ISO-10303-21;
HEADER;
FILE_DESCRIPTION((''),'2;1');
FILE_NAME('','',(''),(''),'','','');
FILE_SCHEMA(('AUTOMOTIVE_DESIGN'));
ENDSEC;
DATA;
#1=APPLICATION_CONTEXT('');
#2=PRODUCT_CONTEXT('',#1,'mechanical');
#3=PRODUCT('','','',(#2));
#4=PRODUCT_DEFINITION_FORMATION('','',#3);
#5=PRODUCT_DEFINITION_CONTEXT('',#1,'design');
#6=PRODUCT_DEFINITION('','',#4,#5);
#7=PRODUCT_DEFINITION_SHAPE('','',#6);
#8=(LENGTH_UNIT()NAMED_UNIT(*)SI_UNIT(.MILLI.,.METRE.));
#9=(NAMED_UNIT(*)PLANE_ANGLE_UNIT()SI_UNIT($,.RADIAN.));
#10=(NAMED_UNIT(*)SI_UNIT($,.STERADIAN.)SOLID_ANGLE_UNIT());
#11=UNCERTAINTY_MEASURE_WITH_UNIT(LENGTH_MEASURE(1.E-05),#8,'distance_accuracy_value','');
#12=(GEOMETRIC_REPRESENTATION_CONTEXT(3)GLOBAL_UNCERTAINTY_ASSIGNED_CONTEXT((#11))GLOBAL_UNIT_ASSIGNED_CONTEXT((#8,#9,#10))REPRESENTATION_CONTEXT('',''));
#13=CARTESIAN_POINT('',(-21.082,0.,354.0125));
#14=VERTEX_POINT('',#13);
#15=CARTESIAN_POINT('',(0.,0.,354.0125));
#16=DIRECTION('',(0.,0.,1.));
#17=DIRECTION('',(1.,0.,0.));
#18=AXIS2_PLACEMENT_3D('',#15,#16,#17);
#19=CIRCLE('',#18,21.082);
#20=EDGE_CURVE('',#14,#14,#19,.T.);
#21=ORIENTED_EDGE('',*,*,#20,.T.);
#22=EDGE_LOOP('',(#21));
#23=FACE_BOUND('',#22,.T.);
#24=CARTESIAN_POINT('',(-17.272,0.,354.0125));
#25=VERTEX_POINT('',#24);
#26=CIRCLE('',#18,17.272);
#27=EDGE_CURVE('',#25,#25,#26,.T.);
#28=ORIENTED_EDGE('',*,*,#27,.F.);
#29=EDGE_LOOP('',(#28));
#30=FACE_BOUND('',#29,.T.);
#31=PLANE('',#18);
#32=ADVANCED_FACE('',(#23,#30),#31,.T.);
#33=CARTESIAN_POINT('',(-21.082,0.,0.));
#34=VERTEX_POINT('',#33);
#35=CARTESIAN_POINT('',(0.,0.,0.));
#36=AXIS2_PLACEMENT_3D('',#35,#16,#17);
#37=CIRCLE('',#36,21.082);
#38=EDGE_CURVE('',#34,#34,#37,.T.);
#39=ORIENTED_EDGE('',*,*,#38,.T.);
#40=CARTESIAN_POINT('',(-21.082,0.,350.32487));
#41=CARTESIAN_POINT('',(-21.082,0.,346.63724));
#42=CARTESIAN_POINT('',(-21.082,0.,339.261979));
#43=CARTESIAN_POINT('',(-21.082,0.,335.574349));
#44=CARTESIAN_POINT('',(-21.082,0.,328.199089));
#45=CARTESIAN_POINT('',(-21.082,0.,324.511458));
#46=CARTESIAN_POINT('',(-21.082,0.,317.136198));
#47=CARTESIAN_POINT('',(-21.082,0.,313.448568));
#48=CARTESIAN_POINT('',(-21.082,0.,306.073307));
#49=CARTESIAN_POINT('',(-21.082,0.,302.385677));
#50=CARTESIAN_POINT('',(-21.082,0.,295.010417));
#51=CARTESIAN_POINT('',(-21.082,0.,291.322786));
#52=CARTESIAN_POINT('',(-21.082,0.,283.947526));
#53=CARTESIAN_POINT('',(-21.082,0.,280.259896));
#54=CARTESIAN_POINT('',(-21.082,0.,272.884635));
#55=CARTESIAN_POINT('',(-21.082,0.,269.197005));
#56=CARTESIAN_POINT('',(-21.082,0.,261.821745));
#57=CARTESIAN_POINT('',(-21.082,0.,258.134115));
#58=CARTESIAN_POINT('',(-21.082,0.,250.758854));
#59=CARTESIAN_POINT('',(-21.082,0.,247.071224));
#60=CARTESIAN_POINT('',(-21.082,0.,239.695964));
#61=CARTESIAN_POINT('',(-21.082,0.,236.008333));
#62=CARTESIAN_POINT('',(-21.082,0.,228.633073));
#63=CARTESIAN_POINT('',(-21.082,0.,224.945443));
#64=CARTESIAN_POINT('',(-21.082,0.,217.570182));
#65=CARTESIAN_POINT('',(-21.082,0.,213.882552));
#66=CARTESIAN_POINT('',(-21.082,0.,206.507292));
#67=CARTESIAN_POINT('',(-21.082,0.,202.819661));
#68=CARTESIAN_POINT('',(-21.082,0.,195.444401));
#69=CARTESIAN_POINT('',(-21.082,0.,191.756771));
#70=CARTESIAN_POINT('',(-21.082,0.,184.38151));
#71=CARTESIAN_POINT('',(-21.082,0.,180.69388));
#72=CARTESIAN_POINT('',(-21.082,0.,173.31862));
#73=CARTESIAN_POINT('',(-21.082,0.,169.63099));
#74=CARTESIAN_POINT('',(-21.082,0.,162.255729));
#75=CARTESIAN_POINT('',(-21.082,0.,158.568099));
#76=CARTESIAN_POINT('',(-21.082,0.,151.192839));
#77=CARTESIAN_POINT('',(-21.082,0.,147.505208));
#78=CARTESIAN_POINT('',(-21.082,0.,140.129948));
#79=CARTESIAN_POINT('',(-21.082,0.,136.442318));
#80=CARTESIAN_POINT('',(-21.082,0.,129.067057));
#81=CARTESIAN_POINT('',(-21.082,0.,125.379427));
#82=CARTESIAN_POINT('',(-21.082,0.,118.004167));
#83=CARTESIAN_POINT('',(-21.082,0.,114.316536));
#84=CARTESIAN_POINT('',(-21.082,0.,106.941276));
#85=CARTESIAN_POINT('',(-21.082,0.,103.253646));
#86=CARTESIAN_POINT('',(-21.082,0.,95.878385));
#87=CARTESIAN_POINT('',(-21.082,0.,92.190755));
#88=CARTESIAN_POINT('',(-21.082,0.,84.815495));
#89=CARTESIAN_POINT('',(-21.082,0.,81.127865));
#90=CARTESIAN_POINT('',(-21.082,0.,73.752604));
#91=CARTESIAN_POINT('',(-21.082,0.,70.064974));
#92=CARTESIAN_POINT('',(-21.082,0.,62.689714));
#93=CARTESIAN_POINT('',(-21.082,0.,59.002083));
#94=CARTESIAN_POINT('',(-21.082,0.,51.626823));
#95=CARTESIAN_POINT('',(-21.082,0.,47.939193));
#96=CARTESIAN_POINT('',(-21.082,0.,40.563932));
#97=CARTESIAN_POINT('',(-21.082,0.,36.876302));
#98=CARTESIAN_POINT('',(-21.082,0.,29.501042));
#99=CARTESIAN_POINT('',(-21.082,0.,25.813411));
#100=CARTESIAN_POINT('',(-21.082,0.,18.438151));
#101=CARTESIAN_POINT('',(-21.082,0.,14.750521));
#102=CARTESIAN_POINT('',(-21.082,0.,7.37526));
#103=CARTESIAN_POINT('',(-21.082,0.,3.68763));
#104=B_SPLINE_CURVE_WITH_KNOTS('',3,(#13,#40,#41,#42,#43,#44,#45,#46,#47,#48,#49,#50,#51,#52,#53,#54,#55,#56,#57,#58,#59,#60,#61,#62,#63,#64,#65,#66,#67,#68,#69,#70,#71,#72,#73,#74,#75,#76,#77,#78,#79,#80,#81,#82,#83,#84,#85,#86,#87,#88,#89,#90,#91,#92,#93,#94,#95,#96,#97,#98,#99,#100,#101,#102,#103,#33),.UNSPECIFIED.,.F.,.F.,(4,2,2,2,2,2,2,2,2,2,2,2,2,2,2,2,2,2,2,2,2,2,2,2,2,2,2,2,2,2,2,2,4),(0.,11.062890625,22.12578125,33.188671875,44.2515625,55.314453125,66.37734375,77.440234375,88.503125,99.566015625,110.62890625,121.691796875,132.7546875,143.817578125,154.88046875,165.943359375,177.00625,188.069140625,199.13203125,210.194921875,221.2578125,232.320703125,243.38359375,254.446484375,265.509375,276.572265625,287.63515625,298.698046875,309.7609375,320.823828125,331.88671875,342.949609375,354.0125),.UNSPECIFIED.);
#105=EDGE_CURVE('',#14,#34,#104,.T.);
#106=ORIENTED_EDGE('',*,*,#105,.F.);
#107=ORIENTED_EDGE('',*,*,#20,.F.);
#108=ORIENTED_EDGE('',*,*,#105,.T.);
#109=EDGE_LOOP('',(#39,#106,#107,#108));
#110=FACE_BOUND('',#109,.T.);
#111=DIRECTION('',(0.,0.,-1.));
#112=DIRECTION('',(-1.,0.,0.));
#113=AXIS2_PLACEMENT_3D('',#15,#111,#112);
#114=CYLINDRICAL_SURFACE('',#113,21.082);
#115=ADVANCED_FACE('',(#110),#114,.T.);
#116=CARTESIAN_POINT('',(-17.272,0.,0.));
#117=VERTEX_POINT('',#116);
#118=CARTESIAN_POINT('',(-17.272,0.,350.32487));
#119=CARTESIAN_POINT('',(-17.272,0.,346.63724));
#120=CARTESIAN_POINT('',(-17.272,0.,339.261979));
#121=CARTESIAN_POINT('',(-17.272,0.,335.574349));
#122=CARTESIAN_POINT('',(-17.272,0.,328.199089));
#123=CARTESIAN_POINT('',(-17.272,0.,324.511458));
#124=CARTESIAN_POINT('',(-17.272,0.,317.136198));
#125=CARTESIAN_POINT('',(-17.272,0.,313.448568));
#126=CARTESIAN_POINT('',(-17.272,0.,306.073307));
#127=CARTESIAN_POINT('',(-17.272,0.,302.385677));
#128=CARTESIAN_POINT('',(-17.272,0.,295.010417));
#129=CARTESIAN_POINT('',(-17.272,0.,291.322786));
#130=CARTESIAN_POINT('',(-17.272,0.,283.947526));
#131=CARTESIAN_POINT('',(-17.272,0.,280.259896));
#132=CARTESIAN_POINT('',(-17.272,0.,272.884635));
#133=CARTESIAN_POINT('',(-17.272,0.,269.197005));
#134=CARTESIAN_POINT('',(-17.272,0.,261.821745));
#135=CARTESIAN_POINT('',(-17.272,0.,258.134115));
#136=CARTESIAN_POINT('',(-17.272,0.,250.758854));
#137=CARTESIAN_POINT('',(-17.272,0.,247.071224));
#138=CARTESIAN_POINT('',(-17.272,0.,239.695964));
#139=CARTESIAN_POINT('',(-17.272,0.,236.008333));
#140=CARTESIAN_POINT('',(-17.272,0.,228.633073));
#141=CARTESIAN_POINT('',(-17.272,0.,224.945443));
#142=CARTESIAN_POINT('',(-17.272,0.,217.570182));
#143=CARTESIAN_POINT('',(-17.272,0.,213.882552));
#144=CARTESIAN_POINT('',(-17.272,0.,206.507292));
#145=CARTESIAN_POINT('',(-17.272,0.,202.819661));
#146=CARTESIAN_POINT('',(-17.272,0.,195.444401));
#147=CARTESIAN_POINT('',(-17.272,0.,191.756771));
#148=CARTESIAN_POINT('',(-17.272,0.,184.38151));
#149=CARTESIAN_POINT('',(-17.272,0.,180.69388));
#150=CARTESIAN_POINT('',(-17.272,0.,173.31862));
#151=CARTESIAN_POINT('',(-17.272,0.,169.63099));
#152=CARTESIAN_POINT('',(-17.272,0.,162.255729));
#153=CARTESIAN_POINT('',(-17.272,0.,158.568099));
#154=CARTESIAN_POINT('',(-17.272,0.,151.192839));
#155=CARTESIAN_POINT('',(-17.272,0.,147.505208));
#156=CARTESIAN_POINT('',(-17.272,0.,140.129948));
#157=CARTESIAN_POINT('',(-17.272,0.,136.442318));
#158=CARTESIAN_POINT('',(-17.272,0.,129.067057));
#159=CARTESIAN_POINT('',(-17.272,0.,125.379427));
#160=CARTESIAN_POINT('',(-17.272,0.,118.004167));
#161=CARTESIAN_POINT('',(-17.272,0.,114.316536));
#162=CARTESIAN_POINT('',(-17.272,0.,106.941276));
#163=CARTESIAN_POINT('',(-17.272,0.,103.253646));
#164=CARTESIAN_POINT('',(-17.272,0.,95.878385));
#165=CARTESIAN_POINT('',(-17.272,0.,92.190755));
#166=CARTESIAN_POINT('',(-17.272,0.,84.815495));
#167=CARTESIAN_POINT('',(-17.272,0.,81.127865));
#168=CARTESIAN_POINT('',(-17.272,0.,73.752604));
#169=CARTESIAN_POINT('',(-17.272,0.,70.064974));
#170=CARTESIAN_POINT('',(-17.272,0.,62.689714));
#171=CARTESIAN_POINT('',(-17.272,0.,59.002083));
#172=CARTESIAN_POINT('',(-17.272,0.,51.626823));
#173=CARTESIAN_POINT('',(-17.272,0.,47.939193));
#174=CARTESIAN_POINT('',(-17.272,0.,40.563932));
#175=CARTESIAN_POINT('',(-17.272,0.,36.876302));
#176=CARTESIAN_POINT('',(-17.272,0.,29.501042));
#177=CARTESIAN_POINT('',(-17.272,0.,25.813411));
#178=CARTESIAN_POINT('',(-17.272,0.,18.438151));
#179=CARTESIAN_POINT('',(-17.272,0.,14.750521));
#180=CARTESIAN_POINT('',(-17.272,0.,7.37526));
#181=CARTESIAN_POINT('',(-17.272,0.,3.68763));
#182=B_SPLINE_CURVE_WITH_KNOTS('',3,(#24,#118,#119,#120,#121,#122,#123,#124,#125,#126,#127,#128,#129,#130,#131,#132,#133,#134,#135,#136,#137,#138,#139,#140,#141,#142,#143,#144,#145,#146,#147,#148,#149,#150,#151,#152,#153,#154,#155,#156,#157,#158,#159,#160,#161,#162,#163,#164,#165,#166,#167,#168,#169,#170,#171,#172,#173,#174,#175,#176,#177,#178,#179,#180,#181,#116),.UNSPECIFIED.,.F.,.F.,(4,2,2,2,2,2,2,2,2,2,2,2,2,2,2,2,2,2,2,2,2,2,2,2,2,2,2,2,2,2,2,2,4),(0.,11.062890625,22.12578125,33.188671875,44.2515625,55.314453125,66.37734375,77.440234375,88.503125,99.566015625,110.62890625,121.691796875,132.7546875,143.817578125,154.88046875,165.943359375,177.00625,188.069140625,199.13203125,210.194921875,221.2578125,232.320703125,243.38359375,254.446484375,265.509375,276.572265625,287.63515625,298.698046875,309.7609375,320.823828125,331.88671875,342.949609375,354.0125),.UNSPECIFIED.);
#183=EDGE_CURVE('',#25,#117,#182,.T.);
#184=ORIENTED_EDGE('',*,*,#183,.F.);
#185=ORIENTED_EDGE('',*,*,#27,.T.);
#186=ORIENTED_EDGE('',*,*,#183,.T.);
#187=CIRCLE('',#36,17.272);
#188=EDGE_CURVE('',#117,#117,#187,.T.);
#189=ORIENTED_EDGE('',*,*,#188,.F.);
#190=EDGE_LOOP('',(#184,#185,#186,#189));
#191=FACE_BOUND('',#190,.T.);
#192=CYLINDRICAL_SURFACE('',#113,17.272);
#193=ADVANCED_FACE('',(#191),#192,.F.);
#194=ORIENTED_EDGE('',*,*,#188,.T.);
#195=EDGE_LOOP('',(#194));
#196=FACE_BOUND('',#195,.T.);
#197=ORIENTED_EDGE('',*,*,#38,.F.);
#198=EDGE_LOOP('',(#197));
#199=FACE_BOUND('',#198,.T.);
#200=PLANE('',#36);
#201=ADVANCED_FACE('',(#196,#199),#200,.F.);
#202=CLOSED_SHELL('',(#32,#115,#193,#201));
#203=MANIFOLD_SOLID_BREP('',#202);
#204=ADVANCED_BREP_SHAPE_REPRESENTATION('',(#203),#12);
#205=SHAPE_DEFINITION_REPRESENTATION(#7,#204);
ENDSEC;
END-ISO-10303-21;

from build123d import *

# Parameters (mm, degrees)
SKETCH2_R           = 21.082
SKETCH2_R_2         = 17.272
BOSS_EXTRUDE1_DEPTH = 354.0125


with BuildPart() as part:
    # Sketch2 → Boss-Extrude1 (new body)
    with BuildSketch(Plane.XY):
        Circle(SKETCH2_R)
        Circle(SKETCH2_R_2, mode=Mode.SUBTRACT)
    extrude(amount=BOSS_EXTRUDE1_DEPTH)


solid = part.part
